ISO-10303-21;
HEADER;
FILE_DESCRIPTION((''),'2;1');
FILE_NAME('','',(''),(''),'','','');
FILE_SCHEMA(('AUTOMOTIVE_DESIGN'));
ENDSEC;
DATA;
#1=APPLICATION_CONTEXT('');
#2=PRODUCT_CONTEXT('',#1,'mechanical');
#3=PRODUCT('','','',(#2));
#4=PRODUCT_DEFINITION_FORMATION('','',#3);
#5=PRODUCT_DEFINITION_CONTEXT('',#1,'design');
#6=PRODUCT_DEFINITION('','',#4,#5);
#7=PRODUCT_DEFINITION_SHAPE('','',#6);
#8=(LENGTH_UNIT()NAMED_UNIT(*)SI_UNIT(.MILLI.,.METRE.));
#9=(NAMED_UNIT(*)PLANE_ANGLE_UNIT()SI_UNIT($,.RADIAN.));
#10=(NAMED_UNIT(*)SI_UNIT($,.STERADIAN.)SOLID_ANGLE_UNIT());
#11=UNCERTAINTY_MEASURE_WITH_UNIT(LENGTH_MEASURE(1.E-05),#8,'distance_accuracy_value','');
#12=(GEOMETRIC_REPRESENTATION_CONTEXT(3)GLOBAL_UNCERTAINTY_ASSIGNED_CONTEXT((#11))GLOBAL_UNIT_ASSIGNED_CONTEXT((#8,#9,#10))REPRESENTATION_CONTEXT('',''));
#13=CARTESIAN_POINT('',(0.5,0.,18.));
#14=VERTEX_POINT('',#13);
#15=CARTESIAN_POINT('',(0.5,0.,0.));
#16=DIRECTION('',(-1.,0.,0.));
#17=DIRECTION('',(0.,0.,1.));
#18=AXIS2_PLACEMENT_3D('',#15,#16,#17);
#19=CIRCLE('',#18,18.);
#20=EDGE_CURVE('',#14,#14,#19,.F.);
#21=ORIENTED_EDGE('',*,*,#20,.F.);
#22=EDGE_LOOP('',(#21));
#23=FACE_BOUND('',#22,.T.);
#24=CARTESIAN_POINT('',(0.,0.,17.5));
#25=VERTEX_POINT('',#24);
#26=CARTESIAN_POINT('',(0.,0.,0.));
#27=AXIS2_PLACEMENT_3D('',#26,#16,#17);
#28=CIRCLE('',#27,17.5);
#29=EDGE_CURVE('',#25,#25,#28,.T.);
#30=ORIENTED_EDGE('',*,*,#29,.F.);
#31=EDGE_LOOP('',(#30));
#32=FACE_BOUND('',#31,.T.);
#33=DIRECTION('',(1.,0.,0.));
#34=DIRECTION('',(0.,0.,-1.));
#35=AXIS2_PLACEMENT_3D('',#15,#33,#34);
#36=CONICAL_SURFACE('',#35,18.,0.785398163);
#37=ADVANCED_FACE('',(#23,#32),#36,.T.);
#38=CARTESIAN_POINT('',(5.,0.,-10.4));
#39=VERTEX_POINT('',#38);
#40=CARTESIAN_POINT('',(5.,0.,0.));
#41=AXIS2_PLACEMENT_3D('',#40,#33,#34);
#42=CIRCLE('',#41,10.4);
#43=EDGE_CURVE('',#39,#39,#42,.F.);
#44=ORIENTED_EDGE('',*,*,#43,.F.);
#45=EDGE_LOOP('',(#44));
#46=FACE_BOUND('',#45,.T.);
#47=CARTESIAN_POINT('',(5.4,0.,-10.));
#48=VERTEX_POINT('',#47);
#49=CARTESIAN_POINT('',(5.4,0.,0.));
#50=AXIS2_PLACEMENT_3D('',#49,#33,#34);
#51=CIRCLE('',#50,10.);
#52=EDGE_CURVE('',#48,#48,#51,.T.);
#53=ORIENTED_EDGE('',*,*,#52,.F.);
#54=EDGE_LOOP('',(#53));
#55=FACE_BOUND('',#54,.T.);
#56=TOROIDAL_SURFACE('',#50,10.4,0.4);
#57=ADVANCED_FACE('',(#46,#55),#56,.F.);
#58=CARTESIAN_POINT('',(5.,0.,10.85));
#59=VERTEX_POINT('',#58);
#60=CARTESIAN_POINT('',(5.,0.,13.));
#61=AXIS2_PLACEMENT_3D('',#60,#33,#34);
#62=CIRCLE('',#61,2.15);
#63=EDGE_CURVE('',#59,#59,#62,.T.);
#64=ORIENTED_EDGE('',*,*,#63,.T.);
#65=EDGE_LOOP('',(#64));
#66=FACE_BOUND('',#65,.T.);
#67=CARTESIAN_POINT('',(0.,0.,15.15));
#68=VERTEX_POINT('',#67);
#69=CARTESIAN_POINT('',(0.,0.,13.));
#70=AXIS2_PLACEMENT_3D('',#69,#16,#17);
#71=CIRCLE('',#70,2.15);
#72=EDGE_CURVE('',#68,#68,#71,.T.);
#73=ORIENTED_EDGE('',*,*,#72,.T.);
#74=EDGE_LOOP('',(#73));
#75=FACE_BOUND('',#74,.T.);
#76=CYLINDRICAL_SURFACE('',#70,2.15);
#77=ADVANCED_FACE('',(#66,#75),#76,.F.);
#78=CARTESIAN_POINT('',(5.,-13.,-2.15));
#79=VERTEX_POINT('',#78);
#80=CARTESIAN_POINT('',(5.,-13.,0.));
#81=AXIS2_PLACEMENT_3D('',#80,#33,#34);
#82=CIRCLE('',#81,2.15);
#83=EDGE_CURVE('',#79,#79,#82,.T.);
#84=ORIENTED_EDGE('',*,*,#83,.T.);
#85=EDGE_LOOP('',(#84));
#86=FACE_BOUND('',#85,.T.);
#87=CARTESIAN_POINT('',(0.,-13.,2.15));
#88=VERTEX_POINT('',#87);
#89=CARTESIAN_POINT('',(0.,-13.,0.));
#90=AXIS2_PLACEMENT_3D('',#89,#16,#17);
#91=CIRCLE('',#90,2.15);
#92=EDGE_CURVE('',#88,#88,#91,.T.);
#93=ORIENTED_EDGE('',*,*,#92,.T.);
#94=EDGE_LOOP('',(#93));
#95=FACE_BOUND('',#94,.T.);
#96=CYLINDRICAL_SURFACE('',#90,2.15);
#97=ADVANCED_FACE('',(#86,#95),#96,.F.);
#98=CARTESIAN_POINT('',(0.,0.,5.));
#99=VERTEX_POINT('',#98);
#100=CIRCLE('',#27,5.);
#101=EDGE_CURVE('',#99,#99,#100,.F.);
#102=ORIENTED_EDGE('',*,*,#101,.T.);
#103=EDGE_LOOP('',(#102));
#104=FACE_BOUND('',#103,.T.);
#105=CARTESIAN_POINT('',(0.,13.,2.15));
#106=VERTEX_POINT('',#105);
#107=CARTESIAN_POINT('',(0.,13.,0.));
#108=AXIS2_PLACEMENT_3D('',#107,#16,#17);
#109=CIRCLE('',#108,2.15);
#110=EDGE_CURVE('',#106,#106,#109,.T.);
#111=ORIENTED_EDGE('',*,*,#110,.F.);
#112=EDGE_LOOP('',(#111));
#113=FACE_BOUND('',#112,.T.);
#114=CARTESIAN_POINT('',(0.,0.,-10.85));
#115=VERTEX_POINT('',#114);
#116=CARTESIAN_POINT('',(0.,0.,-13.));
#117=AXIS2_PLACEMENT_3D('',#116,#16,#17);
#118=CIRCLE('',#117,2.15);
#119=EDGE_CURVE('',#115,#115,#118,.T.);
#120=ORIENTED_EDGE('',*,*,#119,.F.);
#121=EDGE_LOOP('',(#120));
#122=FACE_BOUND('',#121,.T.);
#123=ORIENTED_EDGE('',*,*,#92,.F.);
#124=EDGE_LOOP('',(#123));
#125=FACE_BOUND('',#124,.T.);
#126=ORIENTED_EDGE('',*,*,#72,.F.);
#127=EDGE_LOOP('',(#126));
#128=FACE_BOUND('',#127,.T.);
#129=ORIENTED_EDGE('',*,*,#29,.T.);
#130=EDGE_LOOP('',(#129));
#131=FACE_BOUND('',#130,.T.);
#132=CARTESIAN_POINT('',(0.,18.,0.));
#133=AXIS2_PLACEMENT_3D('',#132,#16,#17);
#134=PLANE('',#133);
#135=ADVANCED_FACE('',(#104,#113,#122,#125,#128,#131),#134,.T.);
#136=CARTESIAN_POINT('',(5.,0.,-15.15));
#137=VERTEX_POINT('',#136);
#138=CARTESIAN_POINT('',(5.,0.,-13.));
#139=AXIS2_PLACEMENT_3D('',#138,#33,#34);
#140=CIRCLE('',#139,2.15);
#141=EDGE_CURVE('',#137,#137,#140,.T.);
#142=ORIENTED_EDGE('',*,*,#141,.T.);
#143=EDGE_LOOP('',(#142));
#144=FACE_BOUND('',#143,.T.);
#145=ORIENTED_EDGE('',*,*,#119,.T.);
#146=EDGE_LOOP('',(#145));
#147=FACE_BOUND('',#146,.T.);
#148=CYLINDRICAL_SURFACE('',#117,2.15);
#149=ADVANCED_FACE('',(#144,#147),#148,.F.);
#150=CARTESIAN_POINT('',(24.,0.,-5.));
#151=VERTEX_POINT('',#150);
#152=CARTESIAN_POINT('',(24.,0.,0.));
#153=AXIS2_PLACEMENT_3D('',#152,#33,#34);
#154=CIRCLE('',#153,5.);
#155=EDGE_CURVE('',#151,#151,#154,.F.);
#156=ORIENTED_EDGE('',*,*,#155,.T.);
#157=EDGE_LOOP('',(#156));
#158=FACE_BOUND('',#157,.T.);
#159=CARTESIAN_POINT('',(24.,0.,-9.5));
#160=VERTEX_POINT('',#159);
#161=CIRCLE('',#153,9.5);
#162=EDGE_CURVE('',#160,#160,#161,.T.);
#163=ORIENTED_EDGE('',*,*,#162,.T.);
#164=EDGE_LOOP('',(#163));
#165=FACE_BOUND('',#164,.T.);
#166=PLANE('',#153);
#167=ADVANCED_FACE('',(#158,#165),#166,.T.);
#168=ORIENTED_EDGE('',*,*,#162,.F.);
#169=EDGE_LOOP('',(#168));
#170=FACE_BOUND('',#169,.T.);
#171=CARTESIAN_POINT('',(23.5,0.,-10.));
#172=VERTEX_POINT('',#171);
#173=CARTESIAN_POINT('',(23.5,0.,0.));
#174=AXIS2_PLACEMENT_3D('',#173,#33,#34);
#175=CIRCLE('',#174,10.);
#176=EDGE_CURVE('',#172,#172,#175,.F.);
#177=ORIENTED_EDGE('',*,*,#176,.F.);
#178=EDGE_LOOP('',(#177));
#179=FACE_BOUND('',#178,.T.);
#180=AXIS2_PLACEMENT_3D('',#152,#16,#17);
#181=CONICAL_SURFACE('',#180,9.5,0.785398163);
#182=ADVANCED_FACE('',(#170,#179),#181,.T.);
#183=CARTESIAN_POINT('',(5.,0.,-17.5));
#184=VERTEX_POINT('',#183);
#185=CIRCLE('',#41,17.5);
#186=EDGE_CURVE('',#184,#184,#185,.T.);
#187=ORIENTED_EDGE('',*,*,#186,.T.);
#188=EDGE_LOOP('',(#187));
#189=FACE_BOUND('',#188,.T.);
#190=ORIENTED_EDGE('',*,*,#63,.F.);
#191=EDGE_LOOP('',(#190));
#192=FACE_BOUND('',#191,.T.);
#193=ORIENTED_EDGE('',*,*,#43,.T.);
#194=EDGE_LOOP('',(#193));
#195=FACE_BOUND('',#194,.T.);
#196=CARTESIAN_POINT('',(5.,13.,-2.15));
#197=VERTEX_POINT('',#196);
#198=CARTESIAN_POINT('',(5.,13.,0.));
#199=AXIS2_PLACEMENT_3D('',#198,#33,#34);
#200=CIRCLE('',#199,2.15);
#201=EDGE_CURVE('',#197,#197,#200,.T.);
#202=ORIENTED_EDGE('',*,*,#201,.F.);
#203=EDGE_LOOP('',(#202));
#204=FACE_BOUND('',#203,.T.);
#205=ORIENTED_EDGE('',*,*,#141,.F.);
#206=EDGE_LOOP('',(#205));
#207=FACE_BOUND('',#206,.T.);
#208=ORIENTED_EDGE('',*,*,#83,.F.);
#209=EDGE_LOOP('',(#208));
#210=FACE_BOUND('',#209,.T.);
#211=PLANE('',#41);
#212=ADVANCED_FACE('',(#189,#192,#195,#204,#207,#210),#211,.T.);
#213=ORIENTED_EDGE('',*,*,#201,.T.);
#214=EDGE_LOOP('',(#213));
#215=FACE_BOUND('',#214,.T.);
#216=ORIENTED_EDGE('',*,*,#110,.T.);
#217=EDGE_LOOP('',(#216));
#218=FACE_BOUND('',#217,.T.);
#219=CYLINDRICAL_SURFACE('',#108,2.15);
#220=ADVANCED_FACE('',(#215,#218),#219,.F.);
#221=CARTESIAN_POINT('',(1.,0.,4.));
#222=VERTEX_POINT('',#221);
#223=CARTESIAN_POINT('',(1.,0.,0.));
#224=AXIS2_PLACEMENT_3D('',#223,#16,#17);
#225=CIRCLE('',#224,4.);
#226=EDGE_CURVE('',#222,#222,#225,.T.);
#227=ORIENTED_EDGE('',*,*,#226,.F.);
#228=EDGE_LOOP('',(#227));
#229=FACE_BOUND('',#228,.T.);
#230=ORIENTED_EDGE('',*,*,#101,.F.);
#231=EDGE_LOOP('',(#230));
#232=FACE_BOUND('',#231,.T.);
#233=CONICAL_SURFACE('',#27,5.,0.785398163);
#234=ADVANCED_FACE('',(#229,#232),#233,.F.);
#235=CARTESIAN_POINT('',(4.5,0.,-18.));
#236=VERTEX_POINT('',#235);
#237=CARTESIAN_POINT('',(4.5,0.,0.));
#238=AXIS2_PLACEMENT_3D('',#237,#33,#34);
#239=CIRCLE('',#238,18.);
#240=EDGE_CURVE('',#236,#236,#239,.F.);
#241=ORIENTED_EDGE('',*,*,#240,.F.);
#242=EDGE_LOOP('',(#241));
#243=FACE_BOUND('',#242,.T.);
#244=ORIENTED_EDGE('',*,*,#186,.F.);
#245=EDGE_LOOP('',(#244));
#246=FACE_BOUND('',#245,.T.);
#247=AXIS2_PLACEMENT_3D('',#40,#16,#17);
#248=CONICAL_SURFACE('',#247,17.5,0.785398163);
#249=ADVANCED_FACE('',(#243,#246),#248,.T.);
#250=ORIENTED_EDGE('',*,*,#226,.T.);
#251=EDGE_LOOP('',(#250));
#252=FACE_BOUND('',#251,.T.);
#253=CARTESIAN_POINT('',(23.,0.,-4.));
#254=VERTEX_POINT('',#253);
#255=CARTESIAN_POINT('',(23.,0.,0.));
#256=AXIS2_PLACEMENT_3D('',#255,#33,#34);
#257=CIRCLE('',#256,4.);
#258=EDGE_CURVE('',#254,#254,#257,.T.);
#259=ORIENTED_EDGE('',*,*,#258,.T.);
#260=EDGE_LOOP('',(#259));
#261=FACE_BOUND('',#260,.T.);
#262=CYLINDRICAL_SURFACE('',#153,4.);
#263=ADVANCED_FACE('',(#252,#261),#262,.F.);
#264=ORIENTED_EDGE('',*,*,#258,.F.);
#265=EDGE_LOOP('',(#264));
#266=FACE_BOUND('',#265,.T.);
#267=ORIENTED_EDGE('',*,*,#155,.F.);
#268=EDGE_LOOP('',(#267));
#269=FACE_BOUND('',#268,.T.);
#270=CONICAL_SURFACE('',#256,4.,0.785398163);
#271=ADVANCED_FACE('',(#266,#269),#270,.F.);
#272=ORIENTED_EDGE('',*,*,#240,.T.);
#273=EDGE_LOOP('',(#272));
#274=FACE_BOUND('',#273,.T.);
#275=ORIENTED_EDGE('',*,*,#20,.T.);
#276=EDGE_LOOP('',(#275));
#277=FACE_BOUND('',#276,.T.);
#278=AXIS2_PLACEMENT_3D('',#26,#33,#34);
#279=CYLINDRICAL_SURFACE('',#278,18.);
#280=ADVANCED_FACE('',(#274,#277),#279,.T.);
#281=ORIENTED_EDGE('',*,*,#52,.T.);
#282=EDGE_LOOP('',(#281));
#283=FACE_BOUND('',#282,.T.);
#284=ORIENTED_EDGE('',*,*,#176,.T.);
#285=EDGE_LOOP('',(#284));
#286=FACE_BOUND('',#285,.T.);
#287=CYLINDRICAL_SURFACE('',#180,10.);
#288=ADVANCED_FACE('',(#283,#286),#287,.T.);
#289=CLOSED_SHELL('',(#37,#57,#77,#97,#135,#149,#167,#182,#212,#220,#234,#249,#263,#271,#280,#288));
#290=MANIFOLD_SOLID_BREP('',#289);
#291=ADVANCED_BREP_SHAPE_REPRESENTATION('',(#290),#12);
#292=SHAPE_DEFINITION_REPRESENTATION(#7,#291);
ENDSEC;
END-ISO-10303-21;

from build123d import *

# Parameters (mm, degrees)
SKETCH1_W                      = 5
SKETCH1_H                      = 18
SKETCH2_R                      = 10
BOSS_EXTRUDE1_DEPTH            = 19
F_4_3_4_3_DIAMETER_HOLE1_D     = 4.3
F_4_3_4_3_DIAMETER_HOLE1_DEPTH = 24
F_8_0_8_DIAMETER_HOLE1_D       = 8
CHAMFER1_SIZE                  = 0.5
CHAMFER2_SIZE                  = 1
FILLET1_R                      = 0.4


with BuildPart() as part:
    # Sketch1 → Revolve1 (revolve)
    with BuildSketch(Plane.XY, mode=Mode.PRIVATE) as revolve1_sk:
        with Locations((2.5, 9)):
            Rectangle(SKETCH1_W, SKETCH1_H)
    revolve(revolve1_sk.sketch.rotate(Axis((0, 0, 0), (1, 0, 0)), 270), axis=Axis((0, 0, 0), (1, 0, 0)))

    # Sketch2 → Boss-Extrude1 (add)
    with BuildSketch(Plane(origin=(5, 0, 0), x_dir=(0, 0, -1), z_dir=(1, 0, 0))):
        Circle(SKETCH2_R)
    extrude(amount=BOSS_EXTRUDE1_DEPTH)

    # Ø4.3 (4.3) Diameter Hole1
    with Locations(Plane.ZY):
        with Locations((0, 13), (0, -13), (-13, 0), (13, 0)):
            Hole(F_4_3_4_3_DIAMETER_HOLE1_D / 2, depth=F_4_3_4_3_DIAMETER_HOLE1_DEPTH)

    # Ø8.0 (8) Diameter Hole1 (through all)
    with Locations(Plane(origin=(24, 0, 0), x_dir=(0, 0, -1), z_dir=(1, 0, 0))):
        with Locations((0, 0)):
            Hole(F_8_0_8_DIAMETER_HOLE1_D / 2)

    # Chamfer1
    chamfer1_edges = [part.edges().sort_by_distance(p)[0] for p in [
        (5, 0, 18),
        (0, 0, 18),
        (24, 0, 10),
    ]]
    chamfer(chamfer1_edges, length=CHAMFER1_SIZE)

    # Chamfer2
    chamfer2_edges = [part.edges().sort_by_distance(p)[0] for p in [
        (24, 0, -4),
        (0, 0, -4),
    ]]
    chamfer(chamfer2_edges, length=CHAMFER2_SIZE)

    # Fillet1
    fillet1_edges = [part.edges().sort_by_distance(p)[0] for p in [
        (5, 0, 10),
    ]]
    fillet(fillet1_edges, radius=FILLET1_R)


solid = part.part
